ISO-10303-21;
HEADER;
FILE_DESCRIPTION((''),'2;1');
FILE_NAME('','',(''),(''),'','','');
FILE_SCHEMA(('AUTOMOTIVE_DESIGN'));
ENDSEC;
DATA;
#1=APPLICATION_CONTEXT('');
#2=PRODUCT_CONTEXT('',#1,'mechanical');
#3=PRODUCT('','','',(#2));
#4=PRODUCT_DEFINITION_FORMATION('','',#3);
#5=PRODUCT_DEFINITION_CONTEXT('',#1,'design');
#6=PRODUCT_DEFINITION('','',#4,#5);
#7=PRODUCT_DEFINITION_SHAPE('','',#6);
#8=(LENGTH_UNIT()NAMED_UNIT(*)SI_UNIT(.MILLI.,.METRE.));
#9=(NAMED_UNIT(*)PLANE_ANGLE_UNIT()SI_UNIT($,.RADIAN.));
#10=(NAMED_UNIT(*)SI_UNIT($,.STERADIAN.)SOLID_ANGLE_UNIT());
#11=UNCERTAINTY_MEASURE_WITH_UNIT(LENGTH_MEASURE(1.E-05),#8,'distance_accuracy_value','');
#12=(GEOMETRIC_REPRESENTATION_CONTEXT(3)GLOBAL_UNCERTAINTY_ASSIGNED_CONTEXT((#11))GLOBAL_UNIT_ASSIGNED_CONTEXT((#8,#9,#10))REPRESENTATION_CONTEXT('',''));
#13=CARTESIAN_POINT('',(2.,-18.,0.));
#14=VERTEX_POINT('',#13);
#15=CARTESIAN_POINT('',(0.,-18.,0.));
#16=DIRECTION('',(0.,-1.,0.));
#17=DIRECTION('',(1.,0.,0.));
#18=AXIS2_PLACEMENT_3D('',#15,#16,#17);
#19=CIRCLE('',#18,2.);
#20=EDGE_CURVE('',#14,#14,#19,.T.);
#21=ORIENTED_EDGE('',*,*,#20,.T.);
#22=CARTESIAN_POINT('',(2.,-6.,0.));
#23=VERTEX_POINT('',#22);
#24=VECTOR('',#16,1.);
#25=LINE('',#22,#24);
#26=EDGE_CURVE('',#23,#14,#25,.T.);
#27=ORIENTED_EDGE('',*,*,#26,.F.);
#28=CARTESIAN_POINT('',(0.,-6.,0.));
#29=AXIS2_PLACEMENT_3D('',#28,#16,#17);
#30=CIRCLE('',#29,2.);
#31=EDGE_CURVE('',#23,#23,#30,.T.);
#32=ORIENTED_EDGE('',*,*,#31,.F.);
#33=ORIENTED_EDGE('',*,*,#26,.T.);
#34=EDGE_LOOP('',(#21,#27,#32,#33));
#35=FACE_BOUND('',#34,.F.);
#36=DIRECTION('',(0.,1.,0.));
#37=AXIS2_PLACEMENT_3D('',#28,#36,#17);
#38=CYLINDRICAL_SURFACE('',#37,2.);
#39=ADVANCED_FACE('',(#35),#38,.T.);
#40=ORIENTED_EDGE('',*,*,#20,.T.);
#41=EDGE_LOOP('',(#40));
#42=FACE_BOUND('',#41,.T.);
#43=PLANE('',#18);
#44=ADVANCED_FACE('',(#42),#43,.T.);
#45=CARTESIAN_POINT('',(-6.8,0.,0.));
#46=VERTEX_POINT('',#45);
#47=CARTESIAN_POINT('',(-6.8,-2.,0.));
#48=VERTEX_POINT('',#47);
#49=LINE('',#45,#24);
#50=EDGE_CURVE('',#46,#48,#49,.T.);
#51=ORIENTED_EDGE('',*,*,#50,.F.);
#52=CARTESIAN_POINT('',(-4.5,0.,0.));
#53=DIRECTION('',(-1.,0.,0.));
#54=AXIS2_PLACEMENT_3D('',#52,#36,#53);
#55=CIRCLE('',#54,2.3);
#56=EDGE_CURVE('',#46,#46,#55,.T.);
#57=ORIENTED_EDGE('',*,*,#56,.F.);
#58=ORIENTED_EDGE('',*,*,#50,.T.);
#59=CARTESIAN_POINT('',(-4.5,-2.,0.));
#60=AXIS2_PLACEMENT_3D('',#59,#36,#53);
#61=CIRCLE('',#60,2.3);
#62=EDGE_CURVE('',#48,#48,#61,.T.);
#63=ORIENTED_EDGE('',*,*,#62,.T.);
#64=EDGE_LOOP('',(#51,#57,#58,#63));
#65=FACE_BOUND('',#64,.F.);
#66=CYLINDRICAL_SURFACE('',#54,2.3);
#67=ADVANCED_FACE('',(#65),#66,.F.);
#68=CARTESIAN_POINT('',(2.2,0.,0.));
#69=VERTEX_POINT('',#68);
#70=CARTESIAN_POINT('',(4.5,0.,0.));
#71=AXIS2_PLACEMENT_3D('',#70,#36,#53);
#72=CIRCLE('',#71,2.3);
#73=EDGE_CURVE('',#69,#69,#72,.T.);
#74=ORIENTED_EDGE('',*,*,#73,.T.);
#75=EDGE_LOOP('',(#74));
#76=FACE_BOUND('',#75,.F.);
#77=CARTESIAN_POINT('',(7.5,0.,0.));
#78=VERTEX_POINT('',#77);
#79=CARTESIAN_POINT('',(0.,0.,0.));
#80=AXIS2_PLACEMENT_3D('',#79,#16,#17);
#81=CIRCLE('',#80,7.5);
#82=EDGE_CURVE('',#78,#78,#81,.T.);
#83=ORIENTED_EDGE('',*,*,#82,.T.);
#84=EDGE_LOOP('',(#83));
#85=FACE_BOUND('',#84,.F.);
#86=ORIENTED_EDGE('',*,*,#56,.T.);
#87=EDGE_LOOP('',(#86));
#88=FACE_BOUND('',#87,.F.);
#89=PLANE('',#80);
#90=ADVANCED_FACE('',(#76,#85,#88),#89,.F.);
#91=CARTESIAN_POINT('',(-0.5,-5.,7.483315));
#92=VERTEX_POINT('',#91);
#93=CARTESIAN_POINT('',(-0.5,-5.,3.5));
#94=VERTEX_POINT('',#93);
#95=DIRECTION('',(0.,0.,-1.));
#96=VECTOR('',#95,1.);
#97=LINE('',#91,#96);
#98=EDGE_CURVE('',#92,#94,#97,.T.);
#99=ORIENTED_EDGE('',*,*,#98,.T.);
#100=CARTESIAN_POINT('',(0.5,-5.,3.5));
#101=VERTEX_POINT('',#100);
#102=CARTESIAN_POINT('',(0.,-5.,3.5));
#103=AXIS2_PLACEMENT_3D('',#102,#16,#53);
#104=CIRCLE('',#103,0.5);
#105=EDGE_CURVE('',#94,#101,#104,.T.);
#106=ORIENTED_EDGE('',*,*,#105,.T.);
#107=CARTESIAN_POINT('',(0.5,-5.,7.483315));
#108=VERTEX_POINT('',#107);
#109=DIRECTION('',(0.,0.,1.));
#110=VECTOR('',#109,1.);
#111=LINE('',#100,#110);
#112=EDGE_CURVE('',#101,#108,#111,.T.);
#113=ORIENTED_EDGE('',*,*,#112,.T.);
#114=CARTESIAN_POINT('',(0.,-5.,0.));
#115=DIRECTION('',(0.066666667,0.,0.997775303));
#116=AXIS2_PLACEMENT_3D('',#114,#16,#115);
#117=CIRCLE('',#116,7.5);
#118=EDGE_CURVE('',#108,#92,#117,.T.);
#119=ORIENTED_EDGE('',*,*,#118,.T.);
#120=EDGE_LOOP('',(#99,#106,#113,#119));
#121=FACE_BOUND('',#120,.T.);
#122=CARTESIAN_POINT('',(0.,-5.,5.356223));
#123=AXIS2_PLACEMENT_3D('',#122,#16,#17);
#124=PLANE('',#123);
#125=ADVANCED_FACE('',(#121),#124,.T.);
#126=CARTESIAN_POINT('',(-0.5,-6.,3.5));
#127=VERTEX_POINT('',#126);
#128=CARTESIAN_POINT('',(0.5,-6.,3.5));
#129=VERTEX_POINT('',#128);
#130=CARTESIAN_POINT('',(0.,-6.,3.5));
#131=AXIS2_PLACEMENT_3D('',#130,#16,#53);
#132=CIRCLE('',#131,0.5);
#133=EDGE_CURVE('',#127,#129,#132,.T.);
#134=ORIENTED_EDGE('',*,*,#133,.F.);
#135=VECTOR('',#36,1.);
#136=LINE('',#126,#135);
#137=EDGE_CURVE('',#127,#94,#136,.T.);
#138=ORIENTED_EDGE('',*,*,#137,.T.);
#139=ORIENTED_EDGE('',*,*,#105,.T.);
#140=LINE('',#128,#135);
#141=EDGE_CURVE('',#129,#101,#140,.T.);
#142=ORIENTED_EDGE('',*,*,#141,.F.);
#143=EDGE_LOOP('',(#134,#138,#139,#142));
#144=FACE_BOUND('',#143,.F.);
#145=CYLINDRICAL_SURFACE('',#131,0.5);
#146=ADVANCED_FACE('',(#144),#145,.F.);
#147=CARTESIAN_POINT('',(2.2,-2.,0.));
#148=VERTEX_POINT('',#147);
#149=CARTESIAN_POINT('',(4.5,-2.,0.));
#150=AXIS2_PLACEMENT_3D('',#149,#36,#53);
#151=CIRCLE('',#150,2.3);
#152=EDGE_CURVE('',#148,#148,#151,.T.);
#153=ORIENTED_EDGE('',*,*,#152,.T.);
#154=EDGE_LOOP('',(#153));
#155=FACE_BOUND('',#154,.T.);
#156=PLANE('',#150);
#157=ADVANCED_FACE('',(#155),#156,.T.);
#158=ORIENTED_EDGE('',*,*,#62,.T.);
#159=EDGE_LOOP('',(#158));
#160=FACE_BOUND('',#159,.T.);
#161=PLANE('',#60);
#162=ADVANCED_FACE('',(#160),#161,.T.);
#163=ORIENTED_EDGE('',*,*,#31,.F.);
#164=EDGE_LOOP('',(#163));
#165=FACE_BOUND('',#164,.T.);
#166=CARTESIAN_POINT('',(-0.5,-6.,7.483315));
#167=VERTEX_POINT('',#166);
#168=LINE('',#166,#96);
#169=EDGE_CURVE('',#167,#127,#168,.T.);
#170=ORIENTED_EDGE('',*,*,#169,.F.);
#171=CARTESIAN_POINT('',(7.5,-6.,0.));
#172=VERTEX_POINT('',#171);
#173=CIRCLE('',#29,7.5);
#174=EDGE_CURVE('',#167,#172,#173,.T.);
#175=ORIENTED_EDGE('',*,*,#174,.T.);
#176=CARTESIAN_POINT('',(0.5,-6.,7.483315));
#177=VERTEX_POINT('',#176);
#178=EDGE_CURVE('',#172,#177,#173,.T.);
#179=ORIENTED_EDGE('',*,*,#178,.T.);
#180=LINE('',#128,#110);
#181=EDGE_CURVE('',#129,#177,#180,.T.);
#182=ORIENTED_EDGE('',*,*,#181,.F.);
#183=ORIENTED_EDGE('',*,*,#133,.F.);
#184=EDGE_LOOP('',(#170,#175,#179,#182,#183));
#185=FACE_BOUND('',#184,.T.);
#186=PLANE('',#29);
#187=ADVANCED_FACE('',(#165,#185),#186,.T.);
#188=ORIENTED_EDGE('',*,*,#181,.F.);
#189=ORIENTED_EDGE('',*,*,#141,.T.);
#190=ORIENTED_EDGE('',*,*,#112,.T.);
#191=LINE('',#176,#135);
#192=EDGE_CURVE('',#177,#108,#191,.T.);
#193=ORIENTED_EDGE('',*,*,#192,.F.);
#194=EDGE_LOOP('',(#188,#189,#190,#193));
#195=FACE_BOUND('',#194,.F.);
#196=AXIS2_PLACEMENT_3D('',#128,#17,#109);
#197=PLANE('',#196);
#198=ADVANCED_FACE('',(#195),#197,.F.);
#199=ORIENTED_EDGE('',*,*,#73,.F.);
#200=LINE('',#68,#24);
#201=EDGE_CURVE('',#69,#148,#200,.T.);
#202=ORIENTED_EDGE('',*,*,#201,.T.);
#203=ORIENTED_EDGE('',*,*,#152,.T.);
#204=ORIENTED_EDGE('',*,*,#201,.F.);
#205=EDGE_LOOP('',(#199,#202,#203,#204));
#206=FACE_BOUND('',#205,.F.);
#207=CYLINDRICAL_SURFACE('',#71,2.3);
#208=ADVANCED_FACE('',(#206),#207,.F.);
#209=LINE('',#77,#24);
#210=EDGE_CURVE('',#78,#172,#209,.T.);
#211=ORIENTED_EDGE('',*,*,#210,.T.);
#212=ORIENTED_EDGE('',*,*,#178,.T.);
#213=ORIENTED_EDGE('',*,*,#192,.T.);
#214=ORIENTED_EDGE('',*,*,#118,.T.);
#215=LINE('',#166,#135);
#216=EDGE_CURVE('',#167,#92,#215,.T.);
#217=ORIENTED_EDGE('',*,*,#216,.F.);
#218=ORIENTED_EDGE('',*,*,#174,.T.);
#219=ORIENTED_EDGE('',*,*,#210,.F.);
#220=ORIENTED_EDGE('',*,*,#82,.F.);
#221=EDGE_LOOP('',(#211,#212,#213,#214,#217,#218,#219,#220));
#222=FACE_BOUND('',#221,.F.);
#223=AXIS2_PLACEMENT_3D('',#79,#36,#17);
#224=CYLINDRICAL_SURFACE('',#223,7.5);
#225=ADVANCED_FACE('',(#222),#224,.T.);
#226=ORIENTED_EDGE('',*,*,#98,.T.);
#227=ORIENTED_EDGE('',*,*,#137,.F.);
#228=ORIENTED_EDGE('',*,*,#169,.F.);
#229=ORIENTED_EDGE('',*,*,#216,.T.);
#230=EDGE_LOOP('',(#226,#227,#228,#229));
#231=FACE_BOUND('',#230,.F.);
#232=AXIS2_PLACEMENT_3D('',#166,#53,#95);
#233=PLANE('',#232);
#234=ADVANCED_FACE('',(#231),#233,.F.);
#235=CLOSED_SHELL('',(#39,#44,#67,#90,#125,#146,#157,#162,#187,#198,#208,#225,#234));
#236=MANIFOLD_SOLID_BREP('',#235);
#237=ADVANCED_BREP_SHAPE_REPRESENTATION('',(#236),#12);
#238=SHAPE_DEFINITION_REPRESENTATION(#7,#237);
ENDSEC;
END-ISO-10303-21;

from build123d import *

# Parameters (mm, degrees)
F0_R     = 7.5
F1_DEPTH = 6
F2_R     = 2
F3_DEPTH = 12
F4_R     = 2.3
F5_DEPTH = 2
F7_DEPTH = 1


with BuildPart() as f1:
    # F0 (on Front) → F1 (new body)
    with BuildSketch(Plane.XZ):
        Circle(F0_R)
    extrude(amount=F1_DEPTH)

    # F2 (on face) → F3 (join)
    with BuildSketch(Plane.XZ.offset(6)):
        Circle(F2_R)
    extrude(amount=F3_DEPTH)

    # F4 (on face) → F5 (cut)
    with BuildSketch(Plane(origin=(0, 0, 0), x_dir=(-1, 0, 0), z_dir=(0, 1, 0))):
        with Locations((-4.5, 0)):
            Circle(F4_R)
        with Locations((4.5, 0)):
            Circle(F4_R)
    extrude(amount=-F5_DEPTH, mode=Mode.SUBTRACT)

    # F6 (on face) → F7 (cut)
    with BuildSketch(Plane.XZ.offset(6)):
        with BuildLine():
            Line((0.5, 3.5), (0.5, 7.4833147735))
            ThreePointArc((0.5, 7.4833147735), (0, 7.5), (-0.5, 7.4833147735))
            Line((-0.5, 7.4833147735), (-0.5, 3.5))
            ThreePointArc((-0.5, 3.5), (0, 3), (0.5, 3.5))
        make_face()
    extrude(amount=-F7_DEPTH, mode=Mode.SUBTRACT)


solid = f1.part
